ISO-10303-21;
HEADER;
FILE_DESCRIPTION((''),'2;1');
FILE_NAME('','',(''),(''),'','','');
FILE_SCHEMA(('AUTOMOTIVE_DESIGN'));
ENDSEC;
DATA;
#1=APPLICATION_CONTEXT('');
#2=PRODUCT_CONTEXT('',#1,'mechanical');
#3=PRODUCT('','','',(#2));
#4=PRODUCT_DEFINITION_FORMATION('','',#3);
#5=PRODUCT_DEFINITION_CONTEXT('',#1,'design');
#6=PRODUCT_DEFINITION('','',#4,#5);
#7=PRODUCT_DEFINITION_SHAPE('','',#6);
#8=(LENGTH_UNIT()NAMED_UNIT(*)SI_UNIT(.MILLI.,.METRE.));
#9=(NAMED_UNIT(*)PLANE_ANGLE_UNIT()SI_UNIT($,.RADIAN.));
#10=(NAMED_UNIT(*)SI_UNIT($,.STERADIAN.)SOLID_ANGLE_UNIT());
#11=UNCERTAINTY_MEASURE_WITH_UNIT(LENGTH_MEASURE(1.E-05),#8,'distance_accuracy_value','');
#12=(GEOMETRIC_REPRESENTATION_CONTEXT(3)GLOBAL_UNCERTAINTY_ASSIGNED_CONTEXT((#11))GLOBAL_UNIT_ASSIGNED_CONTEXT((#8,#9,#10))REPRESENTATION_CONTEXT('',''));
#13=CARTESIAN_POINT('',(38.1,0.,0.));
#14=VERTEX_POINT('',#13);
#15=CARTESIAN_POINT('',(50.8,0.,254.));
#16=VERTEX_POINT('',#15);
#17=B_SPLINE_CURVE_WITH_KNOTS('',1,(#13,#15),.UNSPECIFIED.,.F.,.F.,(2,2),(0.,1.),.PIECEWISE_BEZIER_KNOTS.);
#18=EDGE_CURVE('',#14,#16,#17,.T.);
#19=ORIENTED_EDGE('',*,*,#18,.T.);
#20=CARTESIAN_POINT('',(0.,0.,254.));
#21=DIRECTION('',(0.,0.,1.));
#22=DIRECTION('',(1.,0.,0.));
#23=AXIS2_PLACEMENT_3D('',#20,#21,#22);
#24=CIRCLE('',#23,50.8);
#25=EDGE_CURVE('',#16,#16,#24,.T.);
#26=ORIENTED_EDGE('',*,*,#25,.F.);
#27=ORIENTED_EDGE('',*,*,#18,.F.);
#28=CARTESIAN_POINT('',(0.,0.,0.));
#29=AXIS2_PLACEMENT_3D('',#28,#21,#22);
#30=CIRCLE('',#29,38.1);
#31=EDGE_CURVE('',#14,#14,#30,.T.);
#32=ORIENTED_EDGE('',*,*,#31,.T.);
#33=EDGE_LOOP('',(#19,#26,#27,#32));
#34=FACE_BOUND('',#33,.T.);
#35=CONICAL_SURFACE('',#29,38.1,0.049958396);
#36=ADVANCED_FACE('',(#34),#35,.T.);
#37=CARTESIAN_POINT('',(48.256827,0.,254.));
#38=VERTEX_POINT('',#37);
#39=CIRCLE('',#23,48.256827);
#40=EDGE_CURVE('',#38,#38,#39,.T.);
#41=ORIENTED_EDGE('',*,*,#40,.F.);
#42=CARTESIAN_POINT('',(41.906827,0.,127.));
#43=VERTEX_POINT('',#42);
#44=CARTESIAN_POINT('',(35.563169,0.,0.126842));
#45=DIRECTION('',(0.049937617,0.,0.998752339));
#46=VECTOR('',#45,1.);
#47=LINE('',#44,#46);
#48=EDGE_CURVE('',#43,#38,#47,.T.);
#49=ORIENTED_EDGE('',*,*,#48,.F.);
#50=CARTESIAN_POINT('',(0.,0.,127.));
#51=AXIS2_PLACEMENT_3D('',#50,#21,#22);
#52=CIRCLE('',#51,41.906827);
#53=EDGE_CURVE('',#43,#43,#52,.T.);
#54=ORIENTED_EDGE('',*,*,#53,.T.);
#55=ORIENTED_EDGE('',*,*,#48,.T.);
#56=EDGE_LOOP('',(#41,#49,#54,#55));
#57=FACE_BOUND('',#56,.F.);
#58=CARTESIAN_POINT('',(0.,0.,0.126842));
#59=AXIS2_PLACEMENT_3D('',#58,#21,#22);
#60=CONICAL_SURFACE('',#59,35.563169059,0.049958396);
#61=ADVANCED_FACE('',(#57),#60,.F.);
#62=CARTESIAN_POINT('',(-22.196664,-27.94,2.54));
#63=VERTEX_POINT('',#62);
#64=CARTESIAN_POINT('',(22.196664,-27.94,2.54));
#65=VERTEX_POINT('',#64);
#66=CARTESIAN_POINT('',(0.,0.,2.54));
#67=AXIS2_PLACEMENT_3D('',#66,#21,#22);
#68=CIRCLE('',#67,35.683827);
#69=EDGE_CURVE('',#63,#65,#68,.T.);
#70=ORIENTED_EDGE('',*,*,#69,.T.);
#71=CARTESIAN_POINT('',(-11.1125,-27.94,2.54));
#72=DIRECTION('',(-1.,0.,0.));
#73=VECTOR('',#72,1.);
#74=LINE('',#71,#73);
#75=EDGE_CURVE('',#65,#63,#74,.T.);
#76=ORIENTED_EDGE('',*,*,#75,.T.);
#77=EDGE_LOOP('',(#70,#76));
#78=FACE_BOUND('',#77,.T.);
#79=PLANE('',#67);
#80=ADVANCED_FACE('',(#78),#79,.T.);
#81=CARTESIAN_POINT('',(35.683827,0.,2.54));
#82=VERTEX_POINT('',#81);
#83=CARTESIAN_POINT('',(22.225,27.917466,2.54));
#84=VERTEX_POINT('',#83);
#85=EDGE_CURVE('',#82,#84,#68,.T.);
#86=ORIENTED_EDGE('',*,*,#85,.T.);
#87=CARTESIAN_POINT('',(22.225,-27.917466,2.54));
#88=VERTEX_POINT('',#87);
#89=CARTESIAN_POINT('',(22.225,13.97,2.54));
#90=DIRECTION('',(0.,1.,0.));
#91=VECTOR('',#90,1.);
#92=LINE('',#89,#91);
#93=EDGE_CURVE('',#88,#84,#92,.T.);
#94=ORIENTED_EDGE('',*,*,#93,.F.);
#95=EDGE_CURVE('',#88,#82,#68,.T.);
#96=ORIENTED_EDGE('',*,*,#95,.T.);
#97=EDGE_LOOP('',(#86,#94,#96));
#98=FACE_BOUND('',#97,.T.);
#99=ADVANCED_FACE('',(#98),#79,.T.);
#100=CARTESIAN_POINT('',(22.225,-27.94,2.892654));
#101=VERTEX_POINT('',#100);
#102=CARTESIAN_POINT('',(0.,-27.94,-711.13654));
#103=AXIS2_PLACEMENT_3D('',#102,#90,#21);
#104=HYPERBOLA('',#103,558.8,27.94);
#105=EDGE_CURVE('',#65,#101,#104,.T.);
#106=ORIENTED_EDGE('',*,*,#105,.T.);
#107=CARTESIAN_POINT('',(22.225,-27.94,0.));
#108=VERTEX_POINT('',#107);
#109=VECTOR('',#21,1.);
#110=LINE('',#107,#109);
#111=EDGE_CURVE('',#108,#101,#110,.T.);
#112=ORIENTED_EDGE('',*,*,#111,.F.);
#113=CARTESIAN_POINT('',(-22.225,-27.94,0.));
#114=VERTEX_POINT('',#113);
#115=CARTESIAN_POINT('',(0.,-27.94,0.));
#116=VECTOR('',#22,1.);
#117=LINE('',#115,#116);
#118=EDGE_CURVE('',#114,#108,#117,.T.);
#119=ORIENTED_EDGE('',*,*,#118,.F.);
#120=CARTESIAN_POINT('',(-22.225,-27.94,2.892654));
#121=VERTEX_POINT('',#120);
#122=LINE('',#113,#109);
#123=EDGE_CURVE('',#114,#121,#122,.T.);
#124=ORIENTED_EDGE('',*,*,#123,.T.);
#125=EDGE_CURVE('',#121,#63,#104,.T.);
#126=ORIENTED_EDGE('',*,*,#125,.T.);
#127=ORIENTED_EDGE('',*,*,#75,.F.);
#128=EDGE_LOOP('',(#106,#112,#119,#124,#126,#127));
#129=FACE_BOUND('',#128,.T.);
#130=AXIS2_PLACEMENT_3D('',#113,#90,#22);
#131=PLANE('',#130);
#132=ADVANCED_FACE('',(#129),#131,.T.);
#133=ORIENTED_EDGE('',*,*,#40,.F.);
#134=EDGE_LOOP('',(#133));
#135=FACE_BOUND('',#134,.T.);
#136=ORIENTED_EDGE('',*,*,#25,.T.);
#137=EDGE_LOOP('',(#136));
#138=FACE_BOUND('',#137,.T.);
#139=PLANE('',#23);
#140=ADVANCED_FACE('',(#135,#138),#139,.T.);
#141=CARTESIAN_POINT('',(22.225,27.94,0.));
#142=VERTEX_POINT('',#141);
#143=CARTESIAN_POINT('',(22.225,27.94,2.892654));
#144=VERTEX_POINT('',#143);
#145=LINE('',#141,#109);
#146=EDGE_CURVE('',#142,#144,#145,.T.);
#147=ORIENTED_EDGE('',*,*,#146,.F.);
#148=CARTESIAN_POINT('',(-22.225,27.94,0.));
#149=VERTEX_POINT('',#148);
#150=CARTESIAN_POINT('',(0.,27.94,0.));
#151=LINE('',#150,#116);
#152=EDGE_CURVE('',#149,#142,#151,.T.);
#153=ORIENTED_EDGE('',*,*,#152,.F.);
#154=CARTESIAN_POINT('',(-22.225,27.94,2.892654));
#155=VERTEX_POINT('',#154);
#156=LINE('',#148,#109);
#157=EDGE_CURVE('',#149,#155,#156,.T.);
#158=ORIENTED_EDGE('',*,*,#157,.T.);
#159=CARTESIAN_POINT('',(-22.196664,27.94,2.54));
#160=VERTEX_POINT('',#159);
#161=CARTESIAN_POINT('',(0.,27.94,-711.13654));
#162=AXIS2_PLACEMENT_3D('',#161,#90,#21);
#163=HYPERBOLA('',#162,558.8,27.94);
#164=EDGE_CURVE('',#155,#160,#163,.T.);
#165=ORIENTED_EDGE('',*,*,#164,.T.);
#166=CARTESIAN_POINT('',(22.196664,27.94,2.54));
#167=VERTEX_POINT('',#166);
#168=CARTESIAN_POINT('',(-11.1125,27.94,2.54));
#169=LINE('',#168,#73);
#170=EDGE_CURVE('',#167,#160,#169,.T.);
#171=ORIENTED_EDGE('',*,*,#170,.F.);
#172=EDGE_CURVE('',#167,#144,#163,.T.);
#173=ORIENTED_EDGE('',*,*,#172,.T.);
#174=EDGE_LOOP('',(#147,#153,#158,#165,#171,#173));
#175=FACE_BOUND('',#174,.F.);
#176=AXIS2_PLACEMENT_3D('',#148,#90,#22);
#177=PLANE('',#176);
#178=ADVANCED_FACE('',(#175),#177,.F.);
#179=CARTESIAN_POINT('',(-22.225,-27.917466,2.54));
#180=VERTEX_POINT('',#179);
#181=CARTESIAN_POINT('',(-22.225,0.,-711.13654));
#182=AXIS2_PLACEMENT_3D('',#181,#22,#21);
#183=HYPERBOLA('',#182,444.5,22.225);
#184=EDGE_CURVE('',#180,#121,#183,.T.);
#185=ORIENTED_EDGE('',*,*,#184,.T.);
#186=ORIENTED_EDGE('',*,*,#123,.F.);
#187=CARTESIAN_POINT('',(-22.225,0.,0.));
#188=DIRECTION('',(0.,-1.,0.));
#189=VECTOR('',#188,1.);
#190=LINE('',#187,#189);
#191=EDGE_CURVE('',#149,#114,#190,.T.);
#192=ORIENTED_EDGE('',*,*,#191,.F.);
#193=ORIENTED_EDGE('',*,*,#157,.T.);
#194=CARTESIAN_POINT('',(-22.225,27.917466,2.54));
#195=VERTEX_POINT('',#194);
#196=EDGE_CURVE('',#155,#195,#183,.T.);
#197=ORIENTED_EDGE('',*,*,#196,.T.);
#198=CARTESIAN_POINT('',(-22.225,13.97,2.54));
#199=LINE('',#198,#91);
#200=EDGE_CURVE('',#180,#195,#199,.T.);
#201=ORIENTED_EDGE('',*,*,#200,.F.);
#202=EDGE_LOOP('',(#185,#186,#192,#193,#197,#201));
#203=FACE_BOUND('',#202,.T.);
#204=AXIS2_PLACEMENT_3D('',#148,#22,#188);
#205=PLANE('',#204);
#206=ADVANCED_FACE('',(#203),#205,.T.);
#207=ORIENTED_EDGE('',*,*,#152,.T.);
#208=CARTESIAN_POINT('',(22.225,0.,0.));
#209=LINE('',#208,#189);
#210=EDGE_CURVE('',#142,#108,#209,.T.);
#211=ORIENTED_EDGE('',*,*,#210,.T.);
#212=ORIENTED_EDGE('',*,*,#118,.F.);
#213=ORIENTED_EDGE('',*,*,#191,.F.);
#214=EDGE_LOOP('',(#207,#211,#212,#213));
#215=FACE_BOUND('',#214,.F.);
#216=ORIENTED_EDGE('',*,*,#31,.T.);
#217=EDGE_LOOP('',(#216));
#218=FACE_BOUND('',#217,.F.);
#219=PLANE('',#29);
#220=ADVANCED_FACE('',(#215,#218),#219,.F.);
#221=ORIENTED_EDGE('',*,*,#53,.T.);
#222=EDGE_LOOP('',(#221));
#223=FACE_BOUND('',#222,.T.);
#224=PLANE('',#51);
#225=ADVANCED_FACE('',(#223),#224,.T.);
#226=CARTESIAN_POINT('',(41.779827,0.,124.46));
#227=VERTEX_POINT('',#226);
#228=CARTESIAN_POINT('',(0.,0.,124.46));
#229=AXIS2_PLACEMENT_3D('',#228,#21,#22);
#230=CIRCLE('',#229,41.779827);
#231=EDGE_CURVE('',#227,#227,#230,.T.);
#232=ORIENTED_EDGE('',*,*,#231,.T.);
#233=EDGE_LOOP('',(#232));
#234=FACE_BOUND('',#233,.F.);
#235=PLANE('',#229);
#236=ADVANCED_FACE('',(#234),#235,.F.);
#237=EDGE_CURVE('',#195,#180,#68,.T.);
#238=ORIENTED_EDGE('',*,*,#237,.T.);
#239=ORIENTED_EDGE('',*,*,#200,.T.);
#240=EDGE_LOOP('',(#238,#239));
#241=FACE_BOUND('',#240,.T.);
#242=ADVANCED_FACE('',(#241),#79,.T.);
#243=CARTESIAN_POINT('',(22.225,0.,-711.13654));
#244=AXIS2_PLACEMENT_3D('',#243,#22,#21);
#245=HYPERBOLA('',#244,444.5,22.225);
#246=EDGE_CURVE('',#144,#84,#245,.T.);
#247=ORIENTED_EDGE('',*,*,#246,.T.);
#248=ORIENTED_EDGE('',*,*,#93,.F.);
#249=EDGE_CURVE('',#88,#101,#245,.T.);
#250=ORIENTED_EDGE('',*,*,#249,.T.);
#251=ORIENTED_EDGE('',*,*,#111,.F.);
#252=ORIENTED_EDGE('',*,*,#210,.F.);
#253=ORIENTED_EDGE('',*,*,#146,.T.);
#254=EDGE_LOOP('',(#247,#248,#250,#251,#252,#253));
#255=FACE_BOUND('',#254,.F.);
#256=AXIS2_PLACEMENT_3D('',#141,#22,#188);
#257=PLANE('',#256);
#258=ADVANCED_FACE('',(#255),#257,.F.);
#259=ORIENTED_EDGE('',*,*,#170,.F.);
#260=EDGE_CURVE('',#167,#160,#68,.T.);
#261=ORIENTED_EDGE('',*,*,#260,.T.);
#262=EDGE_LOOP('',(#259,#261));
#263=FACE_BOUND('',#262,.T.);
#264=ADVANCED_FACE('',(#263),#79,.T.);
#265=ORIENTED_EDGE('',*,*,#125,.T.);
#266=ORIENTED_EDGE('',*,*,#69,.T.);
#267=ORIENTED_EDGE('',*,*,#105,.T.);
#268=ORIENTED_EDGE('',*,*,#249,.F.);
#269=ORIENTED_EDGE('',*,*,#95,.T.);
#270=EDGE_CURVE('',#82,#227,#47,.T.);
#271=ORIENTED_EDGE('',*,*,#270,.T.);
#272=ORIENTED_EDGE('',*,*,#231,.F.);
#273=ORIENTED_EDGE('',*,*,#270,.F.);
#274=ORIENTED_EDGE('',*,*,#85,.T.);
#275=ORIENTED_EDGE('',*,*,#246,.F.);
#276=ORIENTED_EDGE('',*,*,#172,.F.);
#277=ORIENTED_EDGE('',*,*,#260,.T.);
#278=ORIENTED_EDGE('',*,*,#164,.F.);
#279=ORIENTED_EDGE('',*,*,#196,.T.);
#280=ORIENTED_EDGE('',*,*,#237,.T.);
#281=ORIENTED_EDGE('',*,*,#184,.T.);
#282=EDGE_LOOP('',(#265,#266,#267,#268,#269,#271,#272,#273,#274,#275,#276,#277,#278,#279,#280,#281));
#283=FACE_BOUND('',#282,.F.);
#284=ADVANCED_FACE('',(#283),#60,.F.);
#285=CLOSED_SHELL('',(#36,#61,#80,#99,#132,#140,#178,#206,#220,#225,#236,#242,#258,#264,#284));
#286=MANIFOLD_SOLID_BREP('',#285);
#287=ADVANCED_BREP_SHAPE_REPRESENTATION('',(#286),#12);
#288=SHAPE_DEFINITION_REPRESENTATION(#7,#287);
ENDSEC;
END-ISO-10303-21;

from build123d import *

# Parameters (mm, degrees)
F0_R     = 38.1
F2_R     = 50.8
F4_T     = -2.54
F5_W     = 44.45
F5_H     = 55.88
F6_DEPTH = 25.4
F8_R     = 41.91
F9_DEPTH = 2.54


with BuildPart() as f3:
    # F0 (on Top) → F3 section 0
    with BuildSketch(Plane.XY):
        Circle(F0_R)
    # F2 (on offset) → F3 section 1
    with BuildSketch(Plane.XY.offset(254)):
        Circle(F2_R)
    loft()

    # F4
    f4_openings = [f3.faces().sort_by_distance(p)[0] for p in [
        (0, 0, 254),
    ]]
    offset(amount=F4_T, openings=f4_openings, kind=Kind.INTERSECTION)

    # F5 (on face) → F6 (cut)
    with BuildSketch(Plane(origin=(0, 0, 0), x_dir=(1, 0, 0), z_dir=(0, 0, -1))):
        Rectangle(F5_W, F5_H)
    extrude(amount=-F6_DEPTH, mode=Mode.SUBTRACT)

    # F8 (on offset) → F9 (join)
    with BuildSketch(Plane.XY.offset(127)):
        Circle(F8_R)
    extrude(amount=-F9_DEPTH)


solid = f3.part
